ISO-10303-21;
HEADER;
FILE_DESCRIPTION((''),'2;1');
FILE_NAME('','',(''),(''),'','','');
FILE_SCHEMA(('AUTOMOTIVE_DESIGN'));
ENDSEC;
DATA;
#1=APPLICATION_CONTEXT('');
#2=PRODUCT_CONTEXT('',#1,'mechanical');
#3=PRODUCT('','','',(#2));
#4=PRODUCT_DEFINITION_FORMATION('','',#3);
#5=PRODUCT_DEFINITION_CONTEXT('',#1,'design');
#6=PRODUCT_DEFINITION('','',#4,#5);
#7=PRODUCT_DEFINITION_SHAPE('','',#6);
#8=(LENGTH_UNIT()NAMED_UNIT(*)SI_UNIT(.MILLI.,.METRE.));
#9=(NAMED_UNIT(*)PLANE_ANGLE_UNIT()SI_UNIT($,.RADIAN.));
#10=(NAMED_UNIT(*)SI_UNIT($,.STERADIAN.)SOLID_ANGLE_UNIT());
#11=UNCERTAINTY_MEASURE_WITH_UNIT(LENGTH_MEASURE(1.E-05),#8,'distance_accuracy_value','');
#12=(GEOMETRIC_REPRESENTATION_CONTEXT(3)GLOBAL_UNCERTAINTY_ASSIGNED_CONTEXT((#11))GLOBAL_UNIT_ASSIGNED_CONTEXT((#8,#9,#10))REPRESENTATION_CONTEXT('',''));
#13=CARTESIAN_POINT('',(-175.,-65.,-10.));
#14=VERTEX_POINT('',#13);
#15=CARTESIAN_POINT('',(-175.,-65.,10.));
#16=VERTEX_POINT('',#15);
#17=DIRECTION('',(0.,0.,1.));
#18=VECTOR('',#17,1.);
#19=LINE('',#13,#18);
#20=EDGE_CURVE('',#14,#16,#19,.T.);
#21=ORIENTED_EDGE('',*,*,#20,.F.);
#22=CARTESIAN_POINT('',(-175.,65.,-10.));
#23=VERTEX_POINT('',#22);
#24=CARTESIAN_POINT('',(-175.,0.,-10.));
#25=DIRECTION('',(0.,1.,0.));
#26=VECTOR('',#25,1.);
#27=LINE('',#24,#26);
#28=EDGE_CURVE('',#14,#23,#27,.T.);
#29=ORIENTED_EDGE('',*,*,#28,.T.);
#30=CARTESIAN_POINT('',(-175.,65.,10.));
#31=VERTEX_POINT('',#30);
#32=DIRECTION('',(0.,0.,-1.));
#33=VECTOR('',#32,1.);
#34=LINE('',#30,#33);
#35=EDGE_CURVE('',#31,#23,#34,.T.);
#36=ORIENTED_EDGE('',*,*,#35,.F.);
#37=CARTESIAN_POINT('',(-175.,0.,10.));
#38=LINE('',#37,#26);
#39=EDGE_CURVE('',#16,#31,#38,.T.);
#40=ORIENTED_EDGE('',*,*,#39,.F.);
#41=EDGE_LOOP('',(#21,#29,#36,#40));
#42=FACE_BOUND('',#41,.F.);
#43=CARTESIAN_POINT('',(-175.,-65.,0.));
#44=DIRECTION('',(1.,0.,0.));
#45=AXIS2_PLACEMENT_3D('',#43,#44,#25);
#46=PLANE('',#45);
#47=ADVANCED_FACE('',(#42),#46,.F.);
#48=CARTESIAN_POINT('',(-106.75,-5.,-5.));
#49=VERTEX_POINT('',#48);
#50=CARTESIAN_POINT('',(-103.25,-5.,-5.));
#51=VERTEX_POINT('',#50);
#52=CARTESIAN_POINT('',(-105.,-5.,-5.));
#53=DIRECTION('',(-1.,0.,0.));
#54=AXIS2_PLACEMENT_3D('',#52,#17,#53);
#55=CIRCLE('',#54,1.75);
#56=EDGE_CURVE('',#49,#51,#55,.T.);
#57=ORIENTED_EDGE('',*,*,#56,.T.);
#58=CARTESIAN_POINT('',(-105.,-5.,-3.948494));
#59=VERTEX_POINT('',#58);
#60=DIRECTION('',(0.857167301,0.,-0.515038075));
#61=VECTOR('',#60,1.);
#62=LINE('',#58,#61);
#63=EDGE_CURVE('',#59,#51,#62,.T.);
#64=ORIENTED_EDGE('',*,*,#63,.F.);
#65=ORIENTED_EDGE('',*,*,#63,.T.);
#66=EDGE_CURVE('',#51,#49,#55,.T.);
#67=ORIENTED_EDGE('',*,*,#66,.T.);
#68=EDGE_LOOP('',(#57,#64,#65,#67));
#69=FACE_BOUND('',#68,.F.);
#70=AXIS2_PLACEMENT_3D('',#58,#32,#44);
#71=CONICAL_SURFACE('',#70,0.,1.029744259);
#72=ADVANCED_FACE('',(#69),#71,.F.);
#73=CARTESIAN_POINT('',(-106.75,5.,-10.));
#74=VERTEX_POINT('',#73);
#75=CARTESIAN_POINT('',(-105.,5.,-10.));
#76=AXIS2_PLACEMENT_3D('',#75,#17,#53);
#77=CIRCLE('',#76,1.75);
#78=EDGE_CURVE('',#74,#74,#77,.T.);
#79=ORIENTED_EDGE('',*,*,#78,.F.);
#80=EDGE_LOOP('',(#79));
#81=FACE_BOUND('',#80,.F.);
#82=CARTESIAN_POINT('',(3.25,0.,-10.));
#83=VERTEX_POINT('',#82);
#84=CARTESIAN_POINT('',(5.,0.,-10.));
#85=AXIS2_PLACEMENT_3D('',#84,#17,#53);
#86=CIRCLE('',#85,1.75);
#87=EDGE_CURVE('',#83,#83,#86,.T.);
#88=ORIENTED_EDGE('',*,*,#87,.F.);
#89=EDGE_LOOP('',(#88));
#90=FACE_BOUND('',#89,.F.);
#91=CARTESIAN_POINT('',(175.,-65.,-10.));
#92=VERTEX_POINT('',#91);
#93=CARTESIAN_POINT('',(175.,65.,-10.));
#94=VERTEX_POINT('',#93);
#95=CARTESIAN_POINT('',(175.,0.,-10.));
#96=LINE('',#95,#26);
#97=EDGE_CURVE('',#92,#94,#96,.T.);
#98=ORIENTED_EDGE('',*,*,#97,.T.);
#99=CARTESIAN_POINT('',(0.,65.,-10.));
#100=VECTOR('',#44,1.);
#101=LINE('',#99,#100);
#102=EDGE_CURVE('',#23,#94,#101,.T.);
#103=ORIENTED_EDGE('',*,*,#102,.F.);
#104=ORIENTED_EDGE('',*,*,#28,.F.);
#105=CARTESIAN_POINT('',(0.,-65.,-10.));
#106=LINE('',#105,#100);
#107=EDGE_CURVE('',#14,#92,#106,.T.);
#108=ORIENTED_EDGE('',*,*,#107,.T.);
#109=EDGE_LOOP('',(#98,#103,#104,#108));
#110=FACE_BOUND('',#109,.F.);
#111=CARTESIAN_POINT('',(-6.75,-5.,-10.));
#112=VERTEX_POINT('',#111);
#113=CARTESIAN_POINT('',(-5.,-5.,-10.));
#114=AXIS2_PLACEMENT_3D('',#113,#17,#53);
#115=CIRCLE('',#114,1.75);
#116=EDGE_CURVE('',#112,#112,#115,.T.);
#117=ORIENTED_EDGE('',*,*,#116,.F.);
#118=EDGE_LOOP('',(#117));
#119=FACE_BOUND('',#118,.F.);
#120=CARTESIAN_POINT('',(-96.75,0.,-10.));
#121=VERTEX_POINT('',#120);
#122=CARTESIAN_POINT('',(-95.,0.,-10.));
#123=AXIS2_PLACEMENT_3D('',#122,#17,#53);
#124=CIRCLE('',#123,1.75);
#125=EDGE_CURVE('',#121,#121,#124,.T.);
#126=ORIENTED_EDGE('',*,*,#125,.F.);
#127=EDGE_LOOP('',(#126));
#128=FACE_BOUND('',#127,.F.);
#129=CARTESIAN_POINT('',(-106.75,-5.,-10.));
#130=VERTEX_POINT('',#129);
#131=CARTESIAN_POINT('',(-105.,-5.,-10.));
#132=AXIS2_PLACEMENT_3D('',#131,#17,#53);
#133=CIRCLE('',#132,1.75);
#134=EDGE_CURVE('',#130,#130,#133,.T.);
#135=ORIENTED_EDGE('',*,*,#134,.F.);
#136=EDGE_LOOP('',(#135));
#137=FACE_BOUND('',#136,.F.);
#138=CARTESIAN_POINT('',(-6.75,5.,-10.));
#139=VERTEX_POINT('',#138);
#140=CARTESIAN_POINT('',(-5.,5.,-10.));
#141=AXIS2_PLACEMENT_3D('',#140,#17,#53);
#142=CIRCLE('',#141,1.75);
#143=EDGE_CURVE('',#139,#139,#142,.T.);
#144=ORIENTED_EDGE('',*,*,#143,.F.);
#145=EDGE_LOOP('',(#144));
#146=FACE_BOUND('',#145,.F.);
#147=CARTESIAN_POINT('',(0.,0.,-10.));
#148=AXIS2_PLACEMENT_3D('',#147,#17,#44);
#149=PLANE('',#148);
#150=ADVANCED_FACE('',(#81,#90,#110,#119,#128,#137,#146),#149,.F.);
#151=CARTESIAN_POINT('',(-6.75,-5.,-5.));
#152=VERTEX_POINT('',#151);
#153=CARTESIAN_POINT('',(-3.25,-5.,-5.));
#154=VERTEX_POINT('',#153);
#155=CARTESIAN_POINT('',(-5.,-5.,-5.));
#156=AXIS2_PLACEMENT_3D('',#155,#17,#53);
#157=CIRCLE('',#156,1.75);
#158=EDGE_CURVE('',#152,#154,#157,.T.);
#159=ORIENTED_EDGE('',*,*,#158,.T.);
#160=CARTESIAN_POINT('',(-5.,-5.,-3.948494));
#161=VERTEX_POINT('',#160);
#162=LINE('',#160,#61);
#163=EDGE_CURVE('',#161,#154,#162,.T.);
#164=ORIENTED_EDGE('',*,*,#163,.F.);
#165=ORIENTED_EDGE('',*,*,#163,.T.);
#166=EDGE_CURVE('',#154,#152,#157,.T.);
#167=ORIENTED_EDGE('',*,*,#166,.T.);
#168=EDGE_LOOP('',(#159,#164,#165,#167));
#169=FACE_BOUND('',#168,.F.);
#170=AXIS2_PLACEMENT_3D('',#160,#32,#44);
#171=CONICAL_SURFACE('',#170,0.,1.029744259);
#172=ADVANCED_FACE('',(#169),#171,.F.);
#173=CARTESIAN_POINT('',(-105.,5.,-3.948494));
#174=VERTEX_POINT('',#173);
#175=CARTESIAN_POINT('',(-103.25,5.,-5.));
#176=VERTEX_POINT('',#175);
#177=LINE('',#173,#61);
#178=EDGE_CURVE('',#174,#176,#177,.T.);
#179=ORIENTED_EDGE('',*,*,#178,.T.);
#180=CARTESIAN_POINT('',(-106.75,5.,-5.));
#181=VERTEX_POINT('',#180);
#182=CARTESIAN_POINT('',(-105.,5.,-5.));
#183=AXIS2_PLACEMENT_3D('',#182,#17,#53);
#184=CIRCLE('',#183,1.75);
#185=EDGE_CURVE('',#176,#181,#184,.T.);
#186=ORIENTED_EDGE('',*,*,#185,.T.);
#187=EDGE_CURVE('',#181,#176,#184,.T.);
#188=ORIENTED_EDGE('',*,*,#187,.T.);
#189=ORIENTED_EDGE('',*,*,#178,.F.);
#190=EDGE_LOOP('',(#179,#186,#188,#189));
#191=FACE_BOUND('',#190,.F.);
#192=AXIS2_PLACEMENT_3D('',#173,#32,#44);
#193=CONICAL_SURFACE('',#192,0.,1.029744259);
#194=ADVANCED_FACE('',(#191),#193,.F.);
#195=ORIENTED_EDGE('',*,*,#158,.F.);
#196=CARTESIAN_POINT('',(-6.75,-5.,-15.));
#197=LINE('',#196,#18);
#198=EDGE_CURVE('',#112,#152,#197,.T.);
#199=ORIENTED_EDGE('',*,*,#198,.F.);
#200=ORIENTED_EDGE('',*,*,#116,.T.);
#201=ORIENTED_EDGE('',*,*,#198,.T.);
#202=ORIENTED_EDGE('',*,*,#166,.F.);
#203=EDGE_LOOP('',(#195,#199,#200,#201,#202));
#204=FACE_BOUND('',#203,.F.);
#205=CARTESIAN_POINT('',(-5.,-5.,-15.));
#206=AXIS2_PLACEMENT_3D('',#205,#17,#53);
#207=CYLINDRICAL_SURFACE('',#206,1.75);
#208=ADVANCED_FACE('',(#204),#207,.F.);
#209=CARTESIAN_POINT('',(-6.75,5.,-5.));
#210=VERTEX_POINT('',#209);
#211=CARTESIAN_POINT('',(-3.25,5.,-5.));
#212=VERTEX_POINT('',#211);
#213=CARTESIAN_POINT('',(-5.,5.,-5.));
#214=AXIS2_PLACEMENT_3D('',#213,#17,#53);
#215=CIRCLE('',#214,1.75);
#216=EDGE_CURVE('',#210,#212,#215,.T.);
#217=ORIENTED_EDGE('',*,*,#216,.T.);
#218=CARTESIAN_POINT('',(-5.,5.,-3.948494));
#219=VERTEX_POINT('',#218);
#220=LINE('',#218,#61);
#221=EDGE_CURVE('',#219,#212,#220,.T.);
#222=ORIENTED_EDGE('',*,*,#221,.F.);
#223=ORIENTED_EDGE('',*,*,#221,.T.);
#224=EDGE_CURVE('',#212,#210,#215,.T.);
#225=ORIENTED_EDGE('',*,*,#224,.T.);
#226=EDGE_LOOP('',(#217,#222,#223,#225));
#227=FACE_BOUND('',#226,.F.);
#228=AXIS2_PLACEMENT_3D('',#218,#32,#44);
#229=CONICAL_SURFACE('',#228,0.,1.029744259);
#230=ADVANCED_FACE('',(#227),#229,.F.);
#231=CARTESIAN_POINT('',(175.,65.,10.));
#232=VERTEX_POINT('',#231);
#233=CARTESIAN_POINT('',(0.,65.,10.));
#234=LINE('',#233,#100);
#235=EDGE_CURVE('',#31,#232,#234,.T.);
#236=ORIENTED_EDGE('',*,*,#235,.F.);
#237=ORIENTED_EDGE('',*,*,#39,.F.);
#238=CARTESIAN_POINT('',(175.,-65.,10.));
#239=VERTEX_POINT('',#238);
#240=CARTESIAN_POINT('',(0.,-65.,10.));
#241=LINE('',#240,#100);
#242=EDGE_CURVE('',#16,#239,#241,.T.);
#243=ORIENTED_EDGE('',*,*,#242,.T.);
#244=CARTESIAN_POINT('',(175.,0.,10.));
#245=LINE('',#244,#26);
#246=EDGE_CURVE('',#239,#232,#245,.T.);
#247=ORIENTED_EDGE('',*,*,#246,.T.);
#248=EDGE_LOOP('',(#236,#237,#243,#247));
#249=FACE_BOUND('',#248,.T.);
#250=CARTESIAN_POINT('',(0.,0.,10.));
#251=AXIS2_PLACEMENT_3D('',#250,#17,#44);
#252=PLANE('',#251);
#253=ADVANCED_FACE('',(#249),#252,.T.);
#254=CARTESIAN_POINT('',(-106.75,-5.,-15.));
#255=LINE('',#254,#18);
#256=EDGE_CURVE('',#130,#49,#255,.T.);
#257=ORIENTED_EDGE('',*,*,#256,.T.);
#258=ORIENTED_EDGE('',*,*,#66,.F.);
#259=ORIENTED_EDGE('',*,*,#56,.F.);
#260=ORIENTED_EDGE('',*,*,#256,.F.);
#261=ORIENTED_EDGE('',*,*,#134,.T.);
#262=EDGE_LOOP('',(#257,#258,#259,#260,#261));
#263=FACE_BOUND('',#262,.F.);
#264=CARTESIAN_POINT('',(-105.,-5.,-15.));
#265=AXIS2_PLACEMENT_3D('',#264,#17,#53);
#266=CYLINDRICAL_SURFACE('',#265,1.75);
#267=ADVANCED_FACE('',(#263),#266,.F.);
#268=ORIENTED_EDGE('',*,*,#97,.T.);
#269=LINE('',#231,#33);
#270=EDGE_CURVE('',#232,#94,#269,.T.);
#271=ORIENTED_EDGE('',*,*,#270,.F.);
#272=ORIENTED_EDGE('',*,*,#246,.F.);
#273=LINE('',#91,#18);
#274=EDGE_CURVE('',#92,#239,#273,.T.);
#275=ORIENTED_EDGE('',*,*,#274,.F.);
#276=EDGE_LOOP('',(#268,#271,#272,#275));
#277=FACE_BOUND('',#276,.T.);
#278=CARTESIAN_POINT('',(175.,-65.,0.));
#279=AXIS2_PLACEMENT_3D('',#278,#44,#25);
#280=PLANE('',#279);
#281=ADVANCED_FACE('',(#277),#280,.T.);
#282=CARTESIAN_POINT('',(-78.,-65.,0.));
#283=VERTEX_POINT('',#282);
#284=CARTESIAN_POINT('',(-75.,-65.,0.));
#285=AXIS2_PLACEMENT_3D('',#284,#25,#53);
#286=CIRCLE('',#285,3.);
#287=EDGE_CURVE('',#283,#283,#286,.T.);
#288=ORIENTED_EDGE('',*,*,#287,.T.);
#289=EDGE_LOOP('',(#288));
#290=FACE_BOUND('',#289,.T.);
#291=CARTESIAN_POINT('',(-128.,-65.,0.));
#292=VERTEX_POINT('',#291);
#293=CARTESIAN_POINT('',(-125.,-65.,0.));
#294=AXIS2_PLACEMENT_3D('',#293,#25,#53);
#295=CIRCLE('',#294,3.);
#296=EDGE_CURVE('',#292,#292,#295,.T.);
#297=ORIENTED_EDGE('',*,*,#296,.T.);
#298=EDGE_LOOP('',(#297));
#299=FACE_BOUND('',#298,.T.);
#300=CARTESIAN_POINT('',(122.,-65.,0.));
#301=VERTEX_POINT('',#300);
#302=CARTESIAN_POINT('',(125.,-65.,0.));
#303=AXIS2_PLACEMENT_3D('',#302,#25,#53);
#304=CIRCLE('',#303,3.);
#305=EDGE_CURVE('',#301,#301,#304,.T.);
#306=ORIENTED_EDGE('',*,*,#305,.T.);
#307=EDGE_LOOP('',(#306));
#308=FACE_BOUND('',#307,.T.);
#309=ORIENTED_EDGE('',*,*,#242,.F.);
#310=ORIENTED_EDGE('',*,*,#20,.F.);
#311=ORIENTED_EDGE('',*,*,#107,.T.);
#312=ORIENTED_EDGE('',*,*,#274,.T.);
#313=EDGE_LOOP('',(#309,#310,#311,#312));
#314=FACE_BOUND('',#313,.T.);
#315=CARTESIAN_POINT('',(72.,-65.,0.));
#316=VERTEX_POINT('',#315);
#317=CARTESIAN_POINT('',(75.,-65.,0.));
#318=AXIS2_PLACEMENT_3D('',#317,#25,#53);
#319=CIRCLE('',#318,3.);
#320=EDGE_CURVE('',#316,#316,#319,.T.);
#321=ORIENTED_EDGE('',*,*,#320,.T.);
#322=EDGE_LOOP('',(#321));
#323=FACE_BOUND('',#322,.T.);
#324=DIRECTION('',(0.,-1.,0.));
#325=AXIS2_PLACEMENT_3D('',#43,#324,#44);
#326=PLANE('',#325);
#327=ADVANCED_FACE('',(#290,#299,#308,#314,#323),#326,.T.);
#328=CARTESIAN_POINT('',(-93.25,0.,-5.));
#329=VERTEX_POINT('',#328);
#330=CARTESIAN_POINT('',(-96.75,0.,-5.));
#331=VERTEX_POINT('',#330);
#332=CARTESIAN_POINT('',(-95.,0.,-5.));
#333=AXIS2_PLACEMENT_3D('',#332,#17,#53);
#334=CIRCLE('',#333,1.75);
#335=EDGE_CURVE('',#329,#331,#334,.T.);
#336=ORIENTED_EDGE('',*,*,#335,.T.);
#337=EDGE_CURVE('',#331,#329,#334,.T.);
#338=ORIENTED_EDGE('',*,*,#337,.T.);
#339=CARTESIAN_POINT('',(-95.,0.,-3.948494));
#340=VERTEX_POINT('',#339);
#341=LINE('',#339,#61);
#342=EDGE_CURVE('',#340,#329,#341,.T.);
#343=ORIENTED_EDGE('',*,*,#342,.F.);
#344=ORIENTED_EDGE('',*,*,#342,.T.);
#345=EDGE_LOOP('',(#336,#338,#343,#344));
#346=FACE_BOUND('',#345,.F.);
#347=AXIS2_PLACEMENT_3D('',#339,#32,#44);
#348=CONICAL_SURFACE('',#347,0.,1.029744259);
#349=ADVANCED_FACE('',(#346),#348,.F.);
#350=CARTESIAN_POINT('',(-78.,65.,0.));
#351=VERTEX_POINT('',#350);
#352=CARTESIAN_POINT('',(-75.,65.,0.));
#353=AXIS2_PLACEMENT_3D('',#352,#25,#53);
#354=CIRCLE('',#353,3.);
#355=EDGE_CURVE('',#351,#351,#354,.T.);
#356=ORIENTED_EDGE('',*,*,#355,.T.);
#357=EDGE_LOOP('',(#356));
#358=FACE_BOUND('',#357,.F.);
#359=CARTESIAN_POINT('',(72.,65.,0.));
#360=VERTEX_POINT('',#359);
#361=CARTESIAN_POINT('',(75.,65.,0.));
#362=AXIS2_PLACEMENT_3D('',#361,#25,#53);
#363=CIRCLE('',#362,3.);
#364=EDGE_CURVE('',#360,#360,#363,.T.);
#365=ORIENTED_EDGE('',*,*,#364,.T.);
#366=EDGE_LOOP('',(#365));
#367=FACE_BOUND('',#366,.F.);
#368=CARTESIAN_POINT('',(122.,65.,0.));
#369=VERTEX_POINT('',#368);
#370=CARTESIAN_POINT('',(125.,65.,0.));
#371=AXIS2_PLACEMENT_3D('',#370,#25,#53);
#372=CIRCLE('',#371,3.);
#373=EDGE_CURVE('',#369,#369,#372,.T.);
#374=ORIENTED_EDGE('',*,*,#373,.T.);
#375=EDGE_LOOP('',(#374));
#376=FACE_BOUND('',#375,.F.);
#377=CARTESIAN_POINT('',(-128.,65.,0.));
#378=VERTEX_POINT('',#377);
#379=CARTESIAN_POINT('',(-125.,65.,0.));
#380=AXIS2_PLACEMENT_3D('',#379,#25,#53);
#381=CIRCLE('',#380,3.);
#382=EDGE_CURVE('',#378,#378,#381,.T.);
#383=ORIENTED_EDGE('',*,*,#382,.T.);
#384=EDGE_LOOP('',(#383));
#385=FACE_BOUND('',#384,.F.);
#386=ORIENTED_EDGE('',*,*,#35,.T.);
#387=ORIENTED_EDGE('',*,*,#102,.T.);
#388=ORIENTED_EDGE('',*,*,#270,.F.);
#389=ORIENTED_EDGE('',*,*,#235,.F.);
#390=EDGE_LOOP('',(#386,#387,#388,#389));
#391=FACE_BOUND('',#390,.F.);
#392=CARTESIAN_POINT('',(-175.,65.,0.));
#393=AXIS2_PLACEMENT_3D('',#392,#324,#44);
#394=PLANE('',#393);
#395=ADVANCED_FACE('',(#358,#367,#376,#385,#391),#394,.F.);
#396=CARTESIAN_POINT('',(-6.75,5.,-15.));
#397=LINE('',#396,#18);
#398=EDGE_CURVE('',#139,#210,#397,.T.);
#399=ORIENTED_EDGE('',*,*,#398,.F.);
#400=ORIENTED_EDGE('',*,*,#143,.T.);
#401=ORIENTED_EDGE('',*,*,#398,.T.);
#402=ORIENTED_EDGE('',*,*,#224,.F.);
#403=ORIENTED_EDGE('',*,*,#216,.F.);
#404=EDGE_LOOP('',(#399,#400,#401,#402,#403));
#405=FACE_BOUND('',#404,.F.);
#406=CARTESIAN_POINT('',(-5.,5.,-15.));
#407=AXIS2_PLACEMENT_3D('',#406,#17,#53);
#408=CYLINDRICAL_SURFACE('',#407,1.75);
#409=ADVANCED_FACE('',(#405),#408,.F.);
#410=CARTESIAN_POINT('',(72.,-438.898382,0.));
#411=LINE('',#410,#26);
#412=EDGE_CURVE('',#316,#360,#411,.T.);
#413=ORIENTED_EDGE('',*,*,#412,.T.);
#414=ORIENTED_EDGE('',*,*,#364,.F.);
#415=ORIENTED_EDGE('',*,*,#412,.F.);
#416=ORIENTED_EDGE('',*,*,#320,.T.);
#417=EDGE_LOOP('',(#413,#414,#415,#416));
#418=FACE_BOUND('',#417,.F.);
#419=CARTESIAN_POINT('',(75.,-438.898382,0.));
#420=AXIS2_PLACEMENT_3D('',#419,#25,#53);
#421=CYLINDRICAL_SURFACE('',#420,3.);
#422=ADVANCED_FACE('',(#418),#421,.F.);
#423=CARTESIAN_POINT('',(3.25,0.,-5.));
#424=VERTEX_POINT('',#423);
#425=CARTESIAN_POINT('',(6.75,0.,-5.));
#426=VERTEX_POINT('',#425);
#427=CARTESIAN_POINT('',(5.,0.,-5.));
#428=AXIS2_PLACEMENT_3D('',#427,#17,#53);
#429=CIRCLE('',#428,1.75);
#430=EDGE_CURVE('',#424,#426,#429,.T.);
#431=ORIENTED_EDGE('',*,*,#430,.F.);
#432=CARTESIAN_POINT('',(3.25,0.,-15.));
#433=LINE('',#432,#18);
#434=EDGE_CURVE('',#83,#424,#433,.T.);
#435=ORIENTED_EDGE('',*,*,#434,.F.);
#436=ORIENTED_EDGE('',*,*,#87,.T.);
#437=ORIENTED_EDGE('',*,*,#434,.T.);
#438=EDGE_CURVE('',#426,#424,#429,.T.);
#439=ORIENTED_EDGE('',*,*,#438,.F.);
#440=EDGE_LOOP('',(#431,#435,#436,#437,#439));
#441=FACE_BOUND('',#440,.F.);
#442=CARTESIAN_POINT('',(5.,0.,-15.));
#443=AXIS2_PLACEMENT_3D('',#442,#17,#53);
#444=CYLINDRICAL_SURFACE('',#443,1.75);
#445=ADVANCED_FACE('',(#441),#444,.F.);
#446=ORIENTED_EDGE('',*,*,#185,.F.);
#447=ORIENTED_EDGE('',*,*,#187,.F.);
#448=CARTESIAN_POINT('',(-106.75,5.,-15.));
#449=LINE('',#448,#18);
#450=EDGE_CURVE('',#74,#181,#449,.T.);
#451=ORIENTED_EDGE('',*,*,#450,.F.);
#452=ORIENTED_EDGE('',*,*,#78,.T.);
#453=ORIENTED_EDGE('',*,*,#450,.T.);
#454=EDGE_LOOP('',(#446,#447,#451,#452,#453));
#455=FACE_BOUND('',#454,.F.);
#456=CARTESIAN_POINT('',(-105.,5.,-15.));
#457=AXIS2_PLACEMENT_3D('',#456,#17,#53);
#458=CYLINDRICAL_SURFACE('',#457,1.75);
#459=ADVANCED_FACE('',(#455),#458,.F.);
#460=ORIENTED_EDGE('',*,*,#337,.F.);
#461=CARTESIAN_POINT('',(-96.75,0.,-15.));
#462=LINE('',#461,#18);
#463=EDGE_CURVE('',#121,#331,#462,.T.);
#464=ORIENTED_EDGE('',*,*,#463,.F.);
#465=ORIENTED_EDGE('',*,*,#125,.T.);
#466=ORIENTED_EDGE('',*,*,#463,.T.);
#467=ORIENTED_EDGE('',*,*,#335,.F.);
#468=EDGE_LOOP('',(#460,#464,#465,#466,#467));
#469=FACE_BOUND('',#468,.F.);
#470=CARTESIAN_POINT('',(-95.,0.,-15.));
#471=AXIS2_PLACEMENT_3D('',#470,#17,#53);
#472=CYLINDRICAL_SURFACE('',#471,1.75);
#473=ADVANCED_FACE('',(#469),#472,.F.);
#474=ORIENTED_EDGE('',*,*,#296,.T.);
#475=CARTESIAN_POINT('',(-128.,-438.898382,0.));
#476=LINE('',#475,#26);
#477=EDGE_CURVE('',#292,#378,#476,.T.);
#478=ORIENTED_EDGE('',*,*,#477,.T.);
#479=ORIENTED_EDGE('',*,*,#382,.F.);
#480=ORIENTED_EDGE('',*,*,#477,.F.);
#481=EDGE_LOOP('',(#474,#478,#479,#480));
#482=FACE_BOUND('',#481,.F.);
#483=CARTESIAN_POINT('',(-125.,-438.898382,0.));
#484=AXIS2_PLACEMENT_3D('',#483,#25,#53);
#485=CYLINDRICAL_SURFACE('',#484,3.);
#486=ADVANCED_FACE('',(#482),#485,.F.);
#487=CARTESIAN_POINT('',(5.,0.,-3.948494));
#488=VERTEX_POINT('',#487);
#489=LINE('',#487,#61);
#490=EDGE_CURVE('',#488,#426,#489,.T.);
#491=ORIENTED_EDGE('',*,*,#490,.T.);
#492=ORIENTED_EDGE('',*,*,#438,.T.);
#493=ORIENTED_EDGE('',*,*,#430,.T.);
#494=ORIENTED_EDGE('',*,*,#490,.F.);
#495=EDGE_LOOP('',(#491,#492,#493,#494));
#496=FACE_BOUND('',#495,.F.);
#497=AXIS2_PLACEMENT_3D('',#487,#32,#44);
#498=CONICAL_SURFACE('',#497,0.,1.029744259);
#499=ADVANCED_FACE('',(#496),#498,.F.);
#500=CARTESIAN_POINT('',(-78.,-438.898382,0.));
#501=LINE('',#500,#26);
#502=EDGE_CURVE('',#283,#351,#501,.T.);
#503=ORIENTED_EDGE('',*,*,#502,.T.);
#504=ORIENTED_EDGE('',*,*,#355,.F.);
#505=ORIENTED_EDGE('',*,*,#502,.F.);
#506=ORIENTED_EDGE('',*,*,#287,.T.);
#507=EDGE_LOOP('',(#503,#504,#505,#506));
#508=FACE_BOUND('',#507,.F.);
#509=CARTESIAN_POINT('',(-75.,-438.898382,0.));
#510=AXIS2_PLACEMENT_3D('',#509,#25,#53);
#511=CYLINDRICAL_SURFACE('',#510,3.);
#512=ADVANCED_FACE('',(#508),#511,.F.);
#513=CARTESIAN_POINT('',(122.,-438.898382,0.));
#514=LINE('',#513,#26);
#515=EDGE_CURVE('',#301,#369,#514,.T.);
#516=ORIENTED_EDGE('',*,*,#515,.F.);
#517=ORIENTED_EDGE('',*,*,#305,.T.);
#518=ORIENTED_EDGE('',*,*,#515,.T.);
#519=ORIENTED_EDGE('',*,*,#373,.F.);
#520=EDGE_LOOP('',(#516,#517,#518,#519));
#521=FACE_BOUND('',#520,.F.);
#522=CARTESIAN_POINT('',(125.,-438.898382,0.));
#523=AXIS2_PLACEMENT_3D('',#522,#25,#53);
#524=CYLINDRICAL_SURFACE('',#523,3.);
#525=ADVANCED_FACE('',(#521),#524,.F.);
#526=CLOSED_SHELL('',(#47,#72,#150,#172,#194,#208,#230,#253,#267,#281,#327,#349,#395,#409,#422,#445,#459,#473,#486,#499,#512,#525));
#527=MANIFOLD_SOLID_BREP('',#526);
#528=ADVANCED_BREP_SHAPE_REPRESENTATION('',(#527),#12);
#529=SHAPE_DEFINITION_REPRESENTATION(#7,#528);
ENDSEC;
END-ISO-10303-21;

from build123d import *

# Parameters (mm, degrees)
F0_W     = 350
F0_H     = 130
F1_DEPTH = 10
F3_D     = 6
F5_D     = 3.5
F5_DEPTH = 5
F5_TIP   = 1.0515060833


with BuildPart() as f1:
    # F0 (on Top) → F1 (new body, symmetric)
    with BuildSketch(Plane.XY):
        Rectangle(F0_W, F0_H)
    extrude(amount=F1_DEPTH, both=True)

    # F3 (through all)
    with Locations(Plane.XZ.offset(65)):
        with Locations((-125, 0), (-75, 0), (75, 0), (125, 0)):
            Hole(F3_D / 2)

    # F5
    with Locations(Plane(origin=(0, 0, -10), x_dir=(1, 0, 0), z_dir=(0, 0, -1))):
        with Locations((-105, 5), (-105, -5), (-95, 0), (-5, 5), (-5, -5), (5, 0)):
            Hole(F5_D / 2, depth=F5_DEPTH)
            with Locations((0, 0, -(F5_DEPTH + F5_TIP / 2))):  # 118° drill point
                Cone(0, F5_D / 2, F5_TIP, mode=Mode.SUBTRACT)


solid = f1.part
